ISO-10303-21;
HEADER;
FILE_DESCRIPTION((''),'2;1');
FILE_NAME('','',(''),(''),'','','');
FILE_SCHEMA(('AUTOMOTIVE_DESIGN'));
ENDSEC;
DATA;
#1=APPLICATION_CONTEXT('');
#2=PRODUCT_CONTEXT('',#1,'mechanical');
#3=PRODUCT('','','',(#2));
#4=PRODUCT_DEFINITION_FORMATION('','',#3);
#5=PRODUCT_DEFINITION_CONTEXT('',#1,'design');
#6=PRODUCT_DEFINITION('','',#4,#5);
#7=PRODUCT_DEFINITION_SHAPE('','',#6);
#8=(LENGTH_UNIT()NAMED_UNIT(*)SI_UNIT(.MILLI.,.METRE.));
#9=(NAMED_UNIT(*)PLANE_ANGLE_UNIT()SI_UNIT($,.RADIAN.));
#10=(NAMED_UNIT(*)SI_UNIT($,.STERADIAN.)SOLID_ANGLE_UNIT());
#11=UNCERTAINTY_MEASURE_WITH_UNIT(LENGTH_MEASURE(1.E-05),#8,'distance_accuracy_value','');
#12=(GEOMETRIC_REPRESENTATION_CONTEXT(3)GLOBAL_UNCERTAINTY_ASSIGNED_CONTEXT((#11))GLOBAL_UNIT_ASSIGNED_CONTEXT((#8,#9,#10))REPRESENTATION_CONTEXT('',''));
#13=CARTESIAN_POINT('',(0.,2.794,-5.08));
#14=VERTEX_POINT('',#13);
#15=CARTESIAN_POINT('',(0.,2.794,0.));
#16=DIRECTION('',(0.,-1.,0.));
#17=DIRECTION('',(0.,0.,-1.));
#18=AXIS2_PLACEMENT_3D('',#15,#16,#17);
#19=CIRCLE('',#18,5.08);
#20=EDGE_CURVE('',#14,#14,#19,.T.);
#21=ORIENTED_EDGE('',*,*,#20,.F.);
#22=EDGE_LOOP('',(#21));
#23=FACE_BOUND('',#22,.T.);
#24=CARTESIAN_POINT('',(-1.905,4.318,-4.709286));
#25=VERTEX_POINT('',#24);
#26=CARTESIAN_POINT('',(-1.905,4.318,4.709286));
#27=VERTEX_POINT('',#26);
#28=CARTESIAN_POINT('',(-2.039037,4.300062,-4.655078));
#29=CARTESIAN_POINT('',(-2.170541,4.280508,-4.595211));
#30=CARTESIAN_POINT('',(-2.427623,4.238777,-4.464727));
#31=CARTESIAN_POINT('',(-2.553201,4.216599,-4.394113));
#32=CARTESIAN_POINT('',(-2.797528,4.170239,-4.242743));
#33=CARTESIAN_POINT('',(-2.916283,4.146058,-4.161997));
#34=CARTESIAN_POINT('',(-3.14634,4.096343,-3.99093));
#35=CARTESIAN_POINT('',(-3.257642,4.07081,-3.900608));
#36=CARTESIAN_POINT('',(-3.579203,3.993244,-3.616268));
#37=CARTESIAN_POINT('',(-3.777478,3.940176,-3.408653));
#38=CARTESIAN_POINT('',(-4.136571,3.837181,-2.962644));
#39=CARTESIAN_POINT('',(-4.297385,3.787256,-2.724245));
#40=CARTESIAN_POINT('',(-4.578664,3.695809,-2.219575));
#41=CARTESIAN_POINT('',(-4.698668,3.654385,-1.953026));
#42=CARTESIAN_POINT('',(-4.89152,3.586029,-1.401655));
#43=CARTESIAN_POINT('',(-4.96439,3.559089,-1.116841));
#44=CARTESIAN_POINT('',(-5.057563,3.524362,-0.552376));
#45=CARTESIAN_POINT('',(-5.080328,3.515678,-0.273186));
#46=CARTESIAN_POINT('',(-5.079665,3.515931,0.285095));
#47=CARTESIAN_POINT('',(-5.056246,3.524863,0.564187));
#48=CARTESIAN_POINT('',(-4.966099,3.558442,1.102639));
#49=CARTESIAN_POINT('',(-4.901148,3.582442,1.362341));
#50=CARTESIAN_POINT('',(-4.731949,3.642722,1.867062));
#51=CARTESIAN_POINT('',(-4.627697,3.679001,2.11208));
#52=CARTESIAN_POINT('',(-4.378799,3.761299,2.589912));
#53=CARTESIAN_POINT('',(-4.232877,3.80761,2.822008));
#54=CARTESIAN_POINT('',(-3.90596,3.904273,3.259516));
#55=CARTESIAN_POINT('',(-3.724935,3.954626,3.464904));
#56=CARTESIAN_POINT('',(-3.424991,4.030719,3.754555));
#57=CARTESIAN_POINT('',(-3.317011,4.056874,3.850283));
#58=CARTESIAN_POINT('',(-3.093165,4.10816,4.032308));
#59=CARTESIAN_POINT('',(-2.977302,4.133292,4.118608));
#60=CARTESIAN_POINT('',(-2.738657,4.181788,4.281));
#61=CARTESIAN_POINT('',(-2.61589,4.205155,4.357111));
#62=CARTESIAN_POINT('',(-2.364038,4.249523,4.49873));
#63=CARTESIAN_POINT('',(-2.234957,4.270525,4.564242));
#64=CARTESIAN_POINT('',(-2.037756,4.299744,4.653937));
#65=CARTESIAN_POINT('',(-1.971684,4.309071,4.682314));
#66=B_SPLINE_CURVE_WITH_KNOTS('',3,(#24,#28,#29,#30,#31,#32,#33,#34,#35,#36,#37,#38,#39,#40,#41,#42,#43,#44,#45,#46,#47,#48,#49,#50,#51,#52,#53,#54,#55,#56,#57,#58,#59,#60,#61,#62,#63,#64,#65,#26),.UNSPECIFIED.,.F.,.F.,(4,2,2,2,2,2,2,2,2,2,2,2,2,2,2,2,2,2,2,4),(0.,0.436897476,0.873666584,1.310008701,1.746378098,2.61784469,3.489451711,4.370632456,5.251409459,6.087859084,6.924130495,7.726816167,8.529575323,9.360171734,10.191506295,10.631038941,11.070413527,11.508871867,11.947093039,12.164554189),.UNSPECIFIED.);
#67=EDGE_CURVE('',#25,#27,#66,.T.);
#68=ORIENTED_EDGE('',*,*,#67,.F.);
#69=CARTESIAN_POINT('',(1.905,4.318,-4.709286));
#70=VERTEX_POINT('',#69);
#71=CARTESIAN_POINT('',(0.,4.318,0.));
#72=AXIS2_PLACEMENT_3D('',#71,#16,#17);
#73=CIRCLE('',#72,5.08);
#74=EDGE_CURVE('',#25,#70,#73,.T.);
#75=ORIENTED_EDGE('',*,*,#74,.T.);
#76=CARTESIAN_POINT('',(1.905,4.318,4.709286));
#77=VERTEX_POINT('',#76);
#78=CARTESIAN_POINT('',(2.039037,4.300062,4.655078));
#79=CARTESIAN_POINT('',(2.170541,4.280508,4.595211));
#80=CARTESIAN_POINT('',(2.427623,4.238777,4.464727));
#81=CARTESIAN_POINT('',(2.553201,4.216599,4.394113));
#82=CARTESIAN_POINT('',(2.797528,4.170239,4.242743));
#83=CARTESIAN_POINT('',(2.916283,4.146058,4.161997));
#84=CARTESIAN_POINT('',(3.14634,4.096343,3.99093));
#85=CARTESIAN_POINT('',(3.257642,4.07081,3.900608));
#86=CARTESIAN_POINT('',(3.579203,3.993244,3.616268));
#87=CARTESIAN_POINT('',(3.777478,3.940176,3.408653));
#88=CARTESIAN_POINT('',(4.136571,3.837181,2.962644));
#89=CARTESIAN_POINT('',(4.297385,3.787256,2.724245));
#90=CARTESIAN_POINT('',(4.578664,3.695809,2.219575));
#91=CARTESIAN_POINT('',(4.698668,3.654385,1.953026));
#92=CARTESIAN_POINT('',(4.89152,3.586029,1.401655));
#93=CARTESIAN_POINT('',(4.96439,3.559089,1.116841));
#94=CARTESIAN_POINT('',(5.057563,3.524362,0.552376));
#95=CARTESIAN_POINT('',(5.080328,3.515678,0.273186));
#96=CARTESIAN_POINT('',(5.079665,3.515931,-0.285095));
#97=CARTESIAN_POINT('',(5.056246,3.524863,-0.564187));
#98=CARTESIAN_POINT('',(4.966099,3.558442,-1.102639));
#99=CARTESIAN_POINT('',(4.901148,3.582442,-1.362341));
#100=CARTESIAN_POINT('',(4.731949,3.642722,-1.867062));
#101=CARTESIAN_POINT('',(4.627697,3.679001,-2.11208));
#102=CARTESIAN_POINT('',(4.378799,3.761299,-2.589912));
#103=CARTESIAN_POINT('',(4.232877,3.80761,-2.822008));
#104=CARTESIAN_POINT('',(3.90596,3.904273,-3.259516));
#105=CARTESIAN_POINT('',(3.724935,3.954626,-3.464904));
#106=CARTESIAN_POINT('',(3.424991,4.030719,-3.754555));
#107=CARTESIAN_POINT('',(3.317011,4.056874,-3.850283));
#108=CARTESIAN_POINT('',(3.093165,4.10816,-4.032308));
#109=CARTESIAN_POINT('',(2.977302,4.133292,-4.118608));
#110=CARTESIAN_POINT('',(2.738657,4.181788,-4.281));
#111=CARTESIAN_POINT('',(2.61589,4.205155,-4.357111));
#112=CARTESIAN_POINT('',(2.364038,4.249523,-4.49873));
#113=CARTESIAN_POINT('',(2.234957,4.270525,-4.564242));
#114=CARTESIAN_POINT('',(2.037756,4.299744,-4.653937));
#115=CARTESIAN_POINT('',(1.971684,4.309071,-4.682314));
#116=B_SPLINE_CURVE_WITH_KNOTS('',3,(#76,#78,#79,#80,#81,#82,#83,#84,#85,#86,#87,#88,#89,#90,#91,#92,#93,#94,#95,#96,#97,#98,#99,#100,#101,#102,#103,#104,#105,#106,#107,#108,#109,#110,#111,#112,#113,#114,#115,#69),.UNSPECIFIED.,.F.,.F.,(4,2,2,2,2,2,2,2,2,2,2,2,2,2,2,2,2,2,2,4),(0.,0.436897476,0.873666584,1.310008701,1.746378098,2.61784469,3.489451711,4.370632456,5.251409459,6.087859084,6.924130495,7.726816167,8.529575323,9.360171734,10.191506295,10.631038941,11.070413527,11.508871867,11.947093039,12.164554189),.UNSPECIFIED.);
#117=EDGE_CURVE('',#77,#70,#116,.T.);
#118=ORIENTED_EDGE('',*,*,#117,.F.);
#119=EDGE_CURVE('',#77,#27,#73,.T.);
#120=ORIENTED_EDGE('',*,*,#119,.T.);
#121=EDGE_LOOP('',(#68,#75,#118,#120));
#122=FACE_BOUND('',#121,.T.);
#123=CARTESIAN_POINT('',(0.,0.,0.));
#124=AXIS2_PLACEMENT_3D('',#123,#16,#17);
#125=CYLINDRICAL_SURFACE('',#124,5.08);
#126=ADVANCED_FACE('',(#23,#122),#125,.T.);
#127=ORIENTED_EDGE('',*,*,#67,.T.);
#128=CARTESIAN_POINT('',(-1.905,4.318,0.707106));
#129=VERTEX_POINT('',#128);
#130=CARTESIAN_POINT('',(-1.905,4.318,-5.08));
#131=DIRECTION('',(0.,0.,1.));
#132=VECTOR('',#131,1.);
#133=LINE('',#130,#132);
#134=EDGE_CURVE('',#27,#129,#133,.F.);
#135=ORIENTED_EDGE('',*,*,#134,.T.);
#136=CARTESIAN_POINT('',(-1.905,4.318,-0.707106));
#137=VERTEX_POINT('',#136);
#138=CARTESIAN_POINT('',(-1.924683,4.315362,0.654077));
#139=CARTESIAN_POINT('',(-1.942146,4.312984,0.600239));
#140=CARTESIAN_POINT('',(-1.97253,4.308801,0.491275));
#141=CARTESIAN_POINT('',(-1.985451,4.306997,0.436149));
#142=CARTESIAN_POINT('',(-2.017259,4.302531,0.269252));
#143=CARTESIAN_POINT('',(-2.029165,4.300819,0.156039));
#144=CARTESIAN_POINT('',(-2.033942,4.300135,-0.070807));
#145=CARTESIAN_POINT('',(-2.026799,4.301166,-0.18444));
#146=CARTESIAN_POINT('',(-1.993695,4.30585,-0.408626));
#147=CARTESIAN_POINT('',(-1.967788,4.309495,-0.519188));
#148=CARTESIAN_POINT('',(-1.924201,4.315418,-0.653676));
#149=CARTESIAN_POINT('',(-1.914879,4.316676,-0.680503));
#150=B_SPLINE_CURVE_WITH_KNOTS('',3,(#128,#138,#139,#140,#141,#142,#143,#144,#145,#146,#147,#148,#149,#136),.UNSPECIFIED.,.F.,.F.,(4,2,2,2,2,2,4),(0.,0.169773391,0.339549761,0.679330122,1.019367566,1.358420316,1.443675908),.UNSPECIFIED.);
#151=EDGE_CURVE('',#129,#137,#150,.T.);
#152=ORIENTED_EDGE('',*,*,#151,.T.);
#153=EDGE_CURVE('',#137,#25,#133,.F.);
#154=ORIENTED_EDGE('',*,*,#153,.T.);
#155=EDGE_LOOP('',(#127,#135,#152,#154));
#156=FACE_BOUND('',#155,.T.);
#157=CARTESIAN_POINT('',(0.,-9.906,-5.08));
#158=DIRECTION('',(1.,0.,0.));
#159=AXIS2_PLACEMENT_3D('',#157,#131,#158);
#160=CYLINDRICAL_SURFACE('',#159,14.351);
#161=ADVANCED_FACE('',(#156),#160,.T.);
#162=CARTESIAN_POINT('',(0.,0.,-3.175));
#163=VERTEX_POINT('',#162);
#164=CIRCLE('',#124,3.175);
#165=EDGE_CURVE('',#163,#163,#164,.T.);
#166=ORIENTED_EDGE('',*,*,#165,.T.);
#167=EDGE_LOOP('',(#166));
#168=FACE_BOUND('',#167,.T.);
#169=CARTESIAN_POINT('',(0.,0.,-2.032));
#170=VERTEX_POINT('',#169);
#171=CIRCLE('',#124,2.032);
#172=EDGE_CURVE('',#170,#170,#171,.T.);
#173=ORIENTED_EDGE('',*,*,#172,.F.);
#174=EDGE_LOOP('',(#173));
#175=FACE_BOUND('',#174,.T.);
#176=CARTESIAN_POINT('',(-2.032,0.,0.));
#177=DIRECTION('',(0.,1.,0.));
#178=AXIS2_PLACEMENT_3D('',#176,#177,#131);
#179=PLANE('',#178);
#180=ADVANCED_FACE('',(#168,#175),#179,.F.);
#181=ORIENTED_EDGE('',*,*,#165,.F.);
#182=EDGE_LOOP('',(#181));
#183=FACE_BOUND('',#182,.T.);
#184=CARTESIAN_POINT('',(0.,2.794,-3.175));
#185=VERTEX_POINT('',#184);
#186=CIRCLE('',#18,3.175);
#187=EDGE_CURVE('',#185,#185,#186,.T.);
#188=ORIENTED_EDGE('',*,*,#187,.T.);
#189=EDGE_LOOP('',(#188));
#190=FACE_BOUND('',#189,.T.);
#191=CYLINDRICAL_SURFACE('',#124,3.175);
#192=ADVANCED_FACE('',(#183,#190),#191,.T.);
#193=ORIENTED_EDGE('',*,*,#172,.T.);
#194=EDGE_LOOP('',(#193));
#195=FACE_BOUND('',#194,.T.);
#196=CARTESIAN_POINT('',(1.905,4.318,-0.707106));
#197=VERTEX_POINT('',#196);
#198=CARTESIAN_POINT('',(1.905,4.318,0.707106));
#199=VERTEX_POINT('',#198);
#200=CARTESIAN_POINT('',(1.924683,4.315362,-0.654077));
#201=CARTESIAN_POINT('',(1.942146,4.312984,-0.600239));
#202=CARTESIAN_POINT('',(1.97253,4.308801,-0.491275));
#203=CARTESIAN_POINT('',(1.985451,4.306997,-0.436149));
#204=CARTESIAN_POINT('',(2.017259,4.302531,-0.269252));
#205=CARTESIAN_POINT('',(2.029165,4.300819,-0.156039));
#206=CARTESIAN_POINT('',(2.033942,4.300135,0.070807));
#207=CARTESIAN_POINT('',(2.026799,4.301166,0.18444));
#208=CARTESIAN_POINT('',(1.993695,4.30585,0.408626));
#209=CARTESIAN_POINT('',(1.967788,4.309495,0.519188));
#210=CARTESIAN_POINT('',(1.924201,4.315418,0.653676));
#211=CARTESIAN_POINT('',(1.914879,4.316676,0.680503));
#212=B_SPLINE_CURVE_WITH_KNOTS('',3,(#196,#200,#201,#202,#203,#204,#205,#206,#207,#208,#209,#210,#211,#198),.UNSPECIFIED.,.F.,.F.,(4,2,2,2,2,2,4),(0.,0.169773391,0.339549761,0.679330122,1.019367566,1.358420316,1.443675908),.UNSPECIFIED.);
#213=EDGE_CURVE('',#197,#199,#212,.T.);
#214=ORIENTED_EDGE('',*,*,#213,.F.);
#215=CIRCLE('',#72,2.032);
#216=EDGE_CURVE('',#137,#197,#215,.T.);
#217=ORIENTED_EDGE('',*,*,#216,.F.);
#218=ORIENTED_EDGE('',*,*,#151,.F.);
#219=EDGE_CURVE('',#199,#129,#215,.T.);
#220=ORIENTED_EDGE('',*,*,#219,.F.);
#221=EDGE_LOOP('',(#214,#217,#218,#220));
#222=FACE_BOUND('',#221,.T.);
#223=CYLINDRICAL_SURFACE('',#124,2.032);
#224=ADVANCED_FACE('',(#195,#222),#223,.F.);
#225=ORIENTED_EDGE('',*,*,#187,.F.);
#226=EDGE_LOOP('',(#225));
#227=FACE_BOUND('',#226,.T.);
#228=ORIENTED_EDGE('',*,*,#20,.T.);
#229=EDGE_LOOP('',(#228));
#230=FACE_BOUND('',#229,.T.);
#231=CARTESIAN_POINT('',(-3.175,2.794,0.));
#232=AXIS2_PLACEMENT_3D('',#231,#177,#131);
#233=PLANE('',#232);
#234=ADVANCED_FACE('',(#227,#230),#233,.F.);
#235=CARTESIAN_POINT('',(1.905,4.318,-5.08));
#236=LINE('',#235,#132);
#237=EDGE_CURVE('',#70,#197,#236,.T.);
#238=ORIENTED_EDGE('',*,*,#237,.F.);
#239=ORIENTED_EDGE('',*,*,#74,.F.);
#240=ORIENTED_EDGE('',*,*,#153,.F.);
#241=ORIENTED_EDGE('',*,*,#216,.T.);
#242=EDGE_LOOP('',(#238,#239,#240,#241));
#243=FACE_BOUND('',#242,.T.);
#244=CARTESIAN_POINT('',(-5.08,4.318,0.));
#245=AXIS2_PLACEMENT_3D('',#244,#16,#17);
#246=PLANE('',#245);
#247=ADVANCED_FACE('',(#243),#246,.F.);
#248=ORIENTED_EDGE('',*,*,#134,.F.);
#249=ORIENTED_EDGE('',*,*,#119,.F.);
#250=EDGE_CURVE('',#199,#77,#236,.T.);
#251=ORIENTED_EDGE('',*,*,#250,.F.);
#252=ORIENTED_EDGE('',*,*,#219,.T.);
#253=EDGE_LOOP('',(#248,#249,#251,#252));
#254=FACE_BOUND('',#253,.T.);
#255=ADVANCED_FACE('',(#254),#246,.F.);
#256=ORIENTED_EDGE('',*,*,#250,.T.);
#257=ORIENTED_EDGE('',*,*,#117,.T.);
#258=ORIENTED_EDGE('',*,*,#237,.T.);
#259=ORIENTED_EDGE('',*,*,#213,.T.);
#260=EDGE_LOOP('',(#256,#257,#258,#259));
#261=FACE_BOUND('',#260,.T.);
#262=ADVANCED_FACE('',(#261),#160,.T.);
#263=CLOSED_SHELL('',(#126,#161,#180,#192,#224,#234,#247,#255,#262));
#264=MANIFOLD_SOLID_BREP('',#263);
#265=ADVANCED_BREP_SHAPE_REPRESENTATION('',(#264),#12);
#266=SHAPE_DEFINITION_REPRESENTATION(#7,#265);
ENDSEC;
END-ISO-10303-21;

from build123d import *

# Parameters (mm, degrees)
SKETCH3_R               = 19.05
SKETCH3_R_2             = 14.351
CUT_EXTRUDE1_DEPTH      = 6.08
CUT_EXTRUDE1_DEPTH_BACK = 6.08


with BuildPart() as part:
    # Sketch1 → Revolve1 (revolve)
    with BuildSketch(Plane.XY):
        Polygon((-2.032, 0), (-3.175, 0), (-3.175, 2.794), (-5.08, 2.794), (-5.08, 4.318), (-2.032, 4.318), align=None)
    revolve(axis=Axis((0, 0, 0), (0, 1, 0)))

    # Sketch3 → Cut-Extrude1 (cut, two sides)
    with BuildSketch(Plane.XY) as cut_extrude1_sk:
        with Locations((0, -9.906)):
            Circle(SKETCH3_R)
        with Locations((0, -9.906)):
            Circle(SKETCH3_R_2, mode=Mode.SUBTRACT)
    extrude(amount=CUT_EXTRUDE1_DEPTH, mode=Mode.SUBTRACT)
    extrude(cut_extrude1_sk.sketch, amount=-CUT_EXTRUDE1_DEPTH_BACK, mode=Mode.SUBTRACT)


solid = part.part
